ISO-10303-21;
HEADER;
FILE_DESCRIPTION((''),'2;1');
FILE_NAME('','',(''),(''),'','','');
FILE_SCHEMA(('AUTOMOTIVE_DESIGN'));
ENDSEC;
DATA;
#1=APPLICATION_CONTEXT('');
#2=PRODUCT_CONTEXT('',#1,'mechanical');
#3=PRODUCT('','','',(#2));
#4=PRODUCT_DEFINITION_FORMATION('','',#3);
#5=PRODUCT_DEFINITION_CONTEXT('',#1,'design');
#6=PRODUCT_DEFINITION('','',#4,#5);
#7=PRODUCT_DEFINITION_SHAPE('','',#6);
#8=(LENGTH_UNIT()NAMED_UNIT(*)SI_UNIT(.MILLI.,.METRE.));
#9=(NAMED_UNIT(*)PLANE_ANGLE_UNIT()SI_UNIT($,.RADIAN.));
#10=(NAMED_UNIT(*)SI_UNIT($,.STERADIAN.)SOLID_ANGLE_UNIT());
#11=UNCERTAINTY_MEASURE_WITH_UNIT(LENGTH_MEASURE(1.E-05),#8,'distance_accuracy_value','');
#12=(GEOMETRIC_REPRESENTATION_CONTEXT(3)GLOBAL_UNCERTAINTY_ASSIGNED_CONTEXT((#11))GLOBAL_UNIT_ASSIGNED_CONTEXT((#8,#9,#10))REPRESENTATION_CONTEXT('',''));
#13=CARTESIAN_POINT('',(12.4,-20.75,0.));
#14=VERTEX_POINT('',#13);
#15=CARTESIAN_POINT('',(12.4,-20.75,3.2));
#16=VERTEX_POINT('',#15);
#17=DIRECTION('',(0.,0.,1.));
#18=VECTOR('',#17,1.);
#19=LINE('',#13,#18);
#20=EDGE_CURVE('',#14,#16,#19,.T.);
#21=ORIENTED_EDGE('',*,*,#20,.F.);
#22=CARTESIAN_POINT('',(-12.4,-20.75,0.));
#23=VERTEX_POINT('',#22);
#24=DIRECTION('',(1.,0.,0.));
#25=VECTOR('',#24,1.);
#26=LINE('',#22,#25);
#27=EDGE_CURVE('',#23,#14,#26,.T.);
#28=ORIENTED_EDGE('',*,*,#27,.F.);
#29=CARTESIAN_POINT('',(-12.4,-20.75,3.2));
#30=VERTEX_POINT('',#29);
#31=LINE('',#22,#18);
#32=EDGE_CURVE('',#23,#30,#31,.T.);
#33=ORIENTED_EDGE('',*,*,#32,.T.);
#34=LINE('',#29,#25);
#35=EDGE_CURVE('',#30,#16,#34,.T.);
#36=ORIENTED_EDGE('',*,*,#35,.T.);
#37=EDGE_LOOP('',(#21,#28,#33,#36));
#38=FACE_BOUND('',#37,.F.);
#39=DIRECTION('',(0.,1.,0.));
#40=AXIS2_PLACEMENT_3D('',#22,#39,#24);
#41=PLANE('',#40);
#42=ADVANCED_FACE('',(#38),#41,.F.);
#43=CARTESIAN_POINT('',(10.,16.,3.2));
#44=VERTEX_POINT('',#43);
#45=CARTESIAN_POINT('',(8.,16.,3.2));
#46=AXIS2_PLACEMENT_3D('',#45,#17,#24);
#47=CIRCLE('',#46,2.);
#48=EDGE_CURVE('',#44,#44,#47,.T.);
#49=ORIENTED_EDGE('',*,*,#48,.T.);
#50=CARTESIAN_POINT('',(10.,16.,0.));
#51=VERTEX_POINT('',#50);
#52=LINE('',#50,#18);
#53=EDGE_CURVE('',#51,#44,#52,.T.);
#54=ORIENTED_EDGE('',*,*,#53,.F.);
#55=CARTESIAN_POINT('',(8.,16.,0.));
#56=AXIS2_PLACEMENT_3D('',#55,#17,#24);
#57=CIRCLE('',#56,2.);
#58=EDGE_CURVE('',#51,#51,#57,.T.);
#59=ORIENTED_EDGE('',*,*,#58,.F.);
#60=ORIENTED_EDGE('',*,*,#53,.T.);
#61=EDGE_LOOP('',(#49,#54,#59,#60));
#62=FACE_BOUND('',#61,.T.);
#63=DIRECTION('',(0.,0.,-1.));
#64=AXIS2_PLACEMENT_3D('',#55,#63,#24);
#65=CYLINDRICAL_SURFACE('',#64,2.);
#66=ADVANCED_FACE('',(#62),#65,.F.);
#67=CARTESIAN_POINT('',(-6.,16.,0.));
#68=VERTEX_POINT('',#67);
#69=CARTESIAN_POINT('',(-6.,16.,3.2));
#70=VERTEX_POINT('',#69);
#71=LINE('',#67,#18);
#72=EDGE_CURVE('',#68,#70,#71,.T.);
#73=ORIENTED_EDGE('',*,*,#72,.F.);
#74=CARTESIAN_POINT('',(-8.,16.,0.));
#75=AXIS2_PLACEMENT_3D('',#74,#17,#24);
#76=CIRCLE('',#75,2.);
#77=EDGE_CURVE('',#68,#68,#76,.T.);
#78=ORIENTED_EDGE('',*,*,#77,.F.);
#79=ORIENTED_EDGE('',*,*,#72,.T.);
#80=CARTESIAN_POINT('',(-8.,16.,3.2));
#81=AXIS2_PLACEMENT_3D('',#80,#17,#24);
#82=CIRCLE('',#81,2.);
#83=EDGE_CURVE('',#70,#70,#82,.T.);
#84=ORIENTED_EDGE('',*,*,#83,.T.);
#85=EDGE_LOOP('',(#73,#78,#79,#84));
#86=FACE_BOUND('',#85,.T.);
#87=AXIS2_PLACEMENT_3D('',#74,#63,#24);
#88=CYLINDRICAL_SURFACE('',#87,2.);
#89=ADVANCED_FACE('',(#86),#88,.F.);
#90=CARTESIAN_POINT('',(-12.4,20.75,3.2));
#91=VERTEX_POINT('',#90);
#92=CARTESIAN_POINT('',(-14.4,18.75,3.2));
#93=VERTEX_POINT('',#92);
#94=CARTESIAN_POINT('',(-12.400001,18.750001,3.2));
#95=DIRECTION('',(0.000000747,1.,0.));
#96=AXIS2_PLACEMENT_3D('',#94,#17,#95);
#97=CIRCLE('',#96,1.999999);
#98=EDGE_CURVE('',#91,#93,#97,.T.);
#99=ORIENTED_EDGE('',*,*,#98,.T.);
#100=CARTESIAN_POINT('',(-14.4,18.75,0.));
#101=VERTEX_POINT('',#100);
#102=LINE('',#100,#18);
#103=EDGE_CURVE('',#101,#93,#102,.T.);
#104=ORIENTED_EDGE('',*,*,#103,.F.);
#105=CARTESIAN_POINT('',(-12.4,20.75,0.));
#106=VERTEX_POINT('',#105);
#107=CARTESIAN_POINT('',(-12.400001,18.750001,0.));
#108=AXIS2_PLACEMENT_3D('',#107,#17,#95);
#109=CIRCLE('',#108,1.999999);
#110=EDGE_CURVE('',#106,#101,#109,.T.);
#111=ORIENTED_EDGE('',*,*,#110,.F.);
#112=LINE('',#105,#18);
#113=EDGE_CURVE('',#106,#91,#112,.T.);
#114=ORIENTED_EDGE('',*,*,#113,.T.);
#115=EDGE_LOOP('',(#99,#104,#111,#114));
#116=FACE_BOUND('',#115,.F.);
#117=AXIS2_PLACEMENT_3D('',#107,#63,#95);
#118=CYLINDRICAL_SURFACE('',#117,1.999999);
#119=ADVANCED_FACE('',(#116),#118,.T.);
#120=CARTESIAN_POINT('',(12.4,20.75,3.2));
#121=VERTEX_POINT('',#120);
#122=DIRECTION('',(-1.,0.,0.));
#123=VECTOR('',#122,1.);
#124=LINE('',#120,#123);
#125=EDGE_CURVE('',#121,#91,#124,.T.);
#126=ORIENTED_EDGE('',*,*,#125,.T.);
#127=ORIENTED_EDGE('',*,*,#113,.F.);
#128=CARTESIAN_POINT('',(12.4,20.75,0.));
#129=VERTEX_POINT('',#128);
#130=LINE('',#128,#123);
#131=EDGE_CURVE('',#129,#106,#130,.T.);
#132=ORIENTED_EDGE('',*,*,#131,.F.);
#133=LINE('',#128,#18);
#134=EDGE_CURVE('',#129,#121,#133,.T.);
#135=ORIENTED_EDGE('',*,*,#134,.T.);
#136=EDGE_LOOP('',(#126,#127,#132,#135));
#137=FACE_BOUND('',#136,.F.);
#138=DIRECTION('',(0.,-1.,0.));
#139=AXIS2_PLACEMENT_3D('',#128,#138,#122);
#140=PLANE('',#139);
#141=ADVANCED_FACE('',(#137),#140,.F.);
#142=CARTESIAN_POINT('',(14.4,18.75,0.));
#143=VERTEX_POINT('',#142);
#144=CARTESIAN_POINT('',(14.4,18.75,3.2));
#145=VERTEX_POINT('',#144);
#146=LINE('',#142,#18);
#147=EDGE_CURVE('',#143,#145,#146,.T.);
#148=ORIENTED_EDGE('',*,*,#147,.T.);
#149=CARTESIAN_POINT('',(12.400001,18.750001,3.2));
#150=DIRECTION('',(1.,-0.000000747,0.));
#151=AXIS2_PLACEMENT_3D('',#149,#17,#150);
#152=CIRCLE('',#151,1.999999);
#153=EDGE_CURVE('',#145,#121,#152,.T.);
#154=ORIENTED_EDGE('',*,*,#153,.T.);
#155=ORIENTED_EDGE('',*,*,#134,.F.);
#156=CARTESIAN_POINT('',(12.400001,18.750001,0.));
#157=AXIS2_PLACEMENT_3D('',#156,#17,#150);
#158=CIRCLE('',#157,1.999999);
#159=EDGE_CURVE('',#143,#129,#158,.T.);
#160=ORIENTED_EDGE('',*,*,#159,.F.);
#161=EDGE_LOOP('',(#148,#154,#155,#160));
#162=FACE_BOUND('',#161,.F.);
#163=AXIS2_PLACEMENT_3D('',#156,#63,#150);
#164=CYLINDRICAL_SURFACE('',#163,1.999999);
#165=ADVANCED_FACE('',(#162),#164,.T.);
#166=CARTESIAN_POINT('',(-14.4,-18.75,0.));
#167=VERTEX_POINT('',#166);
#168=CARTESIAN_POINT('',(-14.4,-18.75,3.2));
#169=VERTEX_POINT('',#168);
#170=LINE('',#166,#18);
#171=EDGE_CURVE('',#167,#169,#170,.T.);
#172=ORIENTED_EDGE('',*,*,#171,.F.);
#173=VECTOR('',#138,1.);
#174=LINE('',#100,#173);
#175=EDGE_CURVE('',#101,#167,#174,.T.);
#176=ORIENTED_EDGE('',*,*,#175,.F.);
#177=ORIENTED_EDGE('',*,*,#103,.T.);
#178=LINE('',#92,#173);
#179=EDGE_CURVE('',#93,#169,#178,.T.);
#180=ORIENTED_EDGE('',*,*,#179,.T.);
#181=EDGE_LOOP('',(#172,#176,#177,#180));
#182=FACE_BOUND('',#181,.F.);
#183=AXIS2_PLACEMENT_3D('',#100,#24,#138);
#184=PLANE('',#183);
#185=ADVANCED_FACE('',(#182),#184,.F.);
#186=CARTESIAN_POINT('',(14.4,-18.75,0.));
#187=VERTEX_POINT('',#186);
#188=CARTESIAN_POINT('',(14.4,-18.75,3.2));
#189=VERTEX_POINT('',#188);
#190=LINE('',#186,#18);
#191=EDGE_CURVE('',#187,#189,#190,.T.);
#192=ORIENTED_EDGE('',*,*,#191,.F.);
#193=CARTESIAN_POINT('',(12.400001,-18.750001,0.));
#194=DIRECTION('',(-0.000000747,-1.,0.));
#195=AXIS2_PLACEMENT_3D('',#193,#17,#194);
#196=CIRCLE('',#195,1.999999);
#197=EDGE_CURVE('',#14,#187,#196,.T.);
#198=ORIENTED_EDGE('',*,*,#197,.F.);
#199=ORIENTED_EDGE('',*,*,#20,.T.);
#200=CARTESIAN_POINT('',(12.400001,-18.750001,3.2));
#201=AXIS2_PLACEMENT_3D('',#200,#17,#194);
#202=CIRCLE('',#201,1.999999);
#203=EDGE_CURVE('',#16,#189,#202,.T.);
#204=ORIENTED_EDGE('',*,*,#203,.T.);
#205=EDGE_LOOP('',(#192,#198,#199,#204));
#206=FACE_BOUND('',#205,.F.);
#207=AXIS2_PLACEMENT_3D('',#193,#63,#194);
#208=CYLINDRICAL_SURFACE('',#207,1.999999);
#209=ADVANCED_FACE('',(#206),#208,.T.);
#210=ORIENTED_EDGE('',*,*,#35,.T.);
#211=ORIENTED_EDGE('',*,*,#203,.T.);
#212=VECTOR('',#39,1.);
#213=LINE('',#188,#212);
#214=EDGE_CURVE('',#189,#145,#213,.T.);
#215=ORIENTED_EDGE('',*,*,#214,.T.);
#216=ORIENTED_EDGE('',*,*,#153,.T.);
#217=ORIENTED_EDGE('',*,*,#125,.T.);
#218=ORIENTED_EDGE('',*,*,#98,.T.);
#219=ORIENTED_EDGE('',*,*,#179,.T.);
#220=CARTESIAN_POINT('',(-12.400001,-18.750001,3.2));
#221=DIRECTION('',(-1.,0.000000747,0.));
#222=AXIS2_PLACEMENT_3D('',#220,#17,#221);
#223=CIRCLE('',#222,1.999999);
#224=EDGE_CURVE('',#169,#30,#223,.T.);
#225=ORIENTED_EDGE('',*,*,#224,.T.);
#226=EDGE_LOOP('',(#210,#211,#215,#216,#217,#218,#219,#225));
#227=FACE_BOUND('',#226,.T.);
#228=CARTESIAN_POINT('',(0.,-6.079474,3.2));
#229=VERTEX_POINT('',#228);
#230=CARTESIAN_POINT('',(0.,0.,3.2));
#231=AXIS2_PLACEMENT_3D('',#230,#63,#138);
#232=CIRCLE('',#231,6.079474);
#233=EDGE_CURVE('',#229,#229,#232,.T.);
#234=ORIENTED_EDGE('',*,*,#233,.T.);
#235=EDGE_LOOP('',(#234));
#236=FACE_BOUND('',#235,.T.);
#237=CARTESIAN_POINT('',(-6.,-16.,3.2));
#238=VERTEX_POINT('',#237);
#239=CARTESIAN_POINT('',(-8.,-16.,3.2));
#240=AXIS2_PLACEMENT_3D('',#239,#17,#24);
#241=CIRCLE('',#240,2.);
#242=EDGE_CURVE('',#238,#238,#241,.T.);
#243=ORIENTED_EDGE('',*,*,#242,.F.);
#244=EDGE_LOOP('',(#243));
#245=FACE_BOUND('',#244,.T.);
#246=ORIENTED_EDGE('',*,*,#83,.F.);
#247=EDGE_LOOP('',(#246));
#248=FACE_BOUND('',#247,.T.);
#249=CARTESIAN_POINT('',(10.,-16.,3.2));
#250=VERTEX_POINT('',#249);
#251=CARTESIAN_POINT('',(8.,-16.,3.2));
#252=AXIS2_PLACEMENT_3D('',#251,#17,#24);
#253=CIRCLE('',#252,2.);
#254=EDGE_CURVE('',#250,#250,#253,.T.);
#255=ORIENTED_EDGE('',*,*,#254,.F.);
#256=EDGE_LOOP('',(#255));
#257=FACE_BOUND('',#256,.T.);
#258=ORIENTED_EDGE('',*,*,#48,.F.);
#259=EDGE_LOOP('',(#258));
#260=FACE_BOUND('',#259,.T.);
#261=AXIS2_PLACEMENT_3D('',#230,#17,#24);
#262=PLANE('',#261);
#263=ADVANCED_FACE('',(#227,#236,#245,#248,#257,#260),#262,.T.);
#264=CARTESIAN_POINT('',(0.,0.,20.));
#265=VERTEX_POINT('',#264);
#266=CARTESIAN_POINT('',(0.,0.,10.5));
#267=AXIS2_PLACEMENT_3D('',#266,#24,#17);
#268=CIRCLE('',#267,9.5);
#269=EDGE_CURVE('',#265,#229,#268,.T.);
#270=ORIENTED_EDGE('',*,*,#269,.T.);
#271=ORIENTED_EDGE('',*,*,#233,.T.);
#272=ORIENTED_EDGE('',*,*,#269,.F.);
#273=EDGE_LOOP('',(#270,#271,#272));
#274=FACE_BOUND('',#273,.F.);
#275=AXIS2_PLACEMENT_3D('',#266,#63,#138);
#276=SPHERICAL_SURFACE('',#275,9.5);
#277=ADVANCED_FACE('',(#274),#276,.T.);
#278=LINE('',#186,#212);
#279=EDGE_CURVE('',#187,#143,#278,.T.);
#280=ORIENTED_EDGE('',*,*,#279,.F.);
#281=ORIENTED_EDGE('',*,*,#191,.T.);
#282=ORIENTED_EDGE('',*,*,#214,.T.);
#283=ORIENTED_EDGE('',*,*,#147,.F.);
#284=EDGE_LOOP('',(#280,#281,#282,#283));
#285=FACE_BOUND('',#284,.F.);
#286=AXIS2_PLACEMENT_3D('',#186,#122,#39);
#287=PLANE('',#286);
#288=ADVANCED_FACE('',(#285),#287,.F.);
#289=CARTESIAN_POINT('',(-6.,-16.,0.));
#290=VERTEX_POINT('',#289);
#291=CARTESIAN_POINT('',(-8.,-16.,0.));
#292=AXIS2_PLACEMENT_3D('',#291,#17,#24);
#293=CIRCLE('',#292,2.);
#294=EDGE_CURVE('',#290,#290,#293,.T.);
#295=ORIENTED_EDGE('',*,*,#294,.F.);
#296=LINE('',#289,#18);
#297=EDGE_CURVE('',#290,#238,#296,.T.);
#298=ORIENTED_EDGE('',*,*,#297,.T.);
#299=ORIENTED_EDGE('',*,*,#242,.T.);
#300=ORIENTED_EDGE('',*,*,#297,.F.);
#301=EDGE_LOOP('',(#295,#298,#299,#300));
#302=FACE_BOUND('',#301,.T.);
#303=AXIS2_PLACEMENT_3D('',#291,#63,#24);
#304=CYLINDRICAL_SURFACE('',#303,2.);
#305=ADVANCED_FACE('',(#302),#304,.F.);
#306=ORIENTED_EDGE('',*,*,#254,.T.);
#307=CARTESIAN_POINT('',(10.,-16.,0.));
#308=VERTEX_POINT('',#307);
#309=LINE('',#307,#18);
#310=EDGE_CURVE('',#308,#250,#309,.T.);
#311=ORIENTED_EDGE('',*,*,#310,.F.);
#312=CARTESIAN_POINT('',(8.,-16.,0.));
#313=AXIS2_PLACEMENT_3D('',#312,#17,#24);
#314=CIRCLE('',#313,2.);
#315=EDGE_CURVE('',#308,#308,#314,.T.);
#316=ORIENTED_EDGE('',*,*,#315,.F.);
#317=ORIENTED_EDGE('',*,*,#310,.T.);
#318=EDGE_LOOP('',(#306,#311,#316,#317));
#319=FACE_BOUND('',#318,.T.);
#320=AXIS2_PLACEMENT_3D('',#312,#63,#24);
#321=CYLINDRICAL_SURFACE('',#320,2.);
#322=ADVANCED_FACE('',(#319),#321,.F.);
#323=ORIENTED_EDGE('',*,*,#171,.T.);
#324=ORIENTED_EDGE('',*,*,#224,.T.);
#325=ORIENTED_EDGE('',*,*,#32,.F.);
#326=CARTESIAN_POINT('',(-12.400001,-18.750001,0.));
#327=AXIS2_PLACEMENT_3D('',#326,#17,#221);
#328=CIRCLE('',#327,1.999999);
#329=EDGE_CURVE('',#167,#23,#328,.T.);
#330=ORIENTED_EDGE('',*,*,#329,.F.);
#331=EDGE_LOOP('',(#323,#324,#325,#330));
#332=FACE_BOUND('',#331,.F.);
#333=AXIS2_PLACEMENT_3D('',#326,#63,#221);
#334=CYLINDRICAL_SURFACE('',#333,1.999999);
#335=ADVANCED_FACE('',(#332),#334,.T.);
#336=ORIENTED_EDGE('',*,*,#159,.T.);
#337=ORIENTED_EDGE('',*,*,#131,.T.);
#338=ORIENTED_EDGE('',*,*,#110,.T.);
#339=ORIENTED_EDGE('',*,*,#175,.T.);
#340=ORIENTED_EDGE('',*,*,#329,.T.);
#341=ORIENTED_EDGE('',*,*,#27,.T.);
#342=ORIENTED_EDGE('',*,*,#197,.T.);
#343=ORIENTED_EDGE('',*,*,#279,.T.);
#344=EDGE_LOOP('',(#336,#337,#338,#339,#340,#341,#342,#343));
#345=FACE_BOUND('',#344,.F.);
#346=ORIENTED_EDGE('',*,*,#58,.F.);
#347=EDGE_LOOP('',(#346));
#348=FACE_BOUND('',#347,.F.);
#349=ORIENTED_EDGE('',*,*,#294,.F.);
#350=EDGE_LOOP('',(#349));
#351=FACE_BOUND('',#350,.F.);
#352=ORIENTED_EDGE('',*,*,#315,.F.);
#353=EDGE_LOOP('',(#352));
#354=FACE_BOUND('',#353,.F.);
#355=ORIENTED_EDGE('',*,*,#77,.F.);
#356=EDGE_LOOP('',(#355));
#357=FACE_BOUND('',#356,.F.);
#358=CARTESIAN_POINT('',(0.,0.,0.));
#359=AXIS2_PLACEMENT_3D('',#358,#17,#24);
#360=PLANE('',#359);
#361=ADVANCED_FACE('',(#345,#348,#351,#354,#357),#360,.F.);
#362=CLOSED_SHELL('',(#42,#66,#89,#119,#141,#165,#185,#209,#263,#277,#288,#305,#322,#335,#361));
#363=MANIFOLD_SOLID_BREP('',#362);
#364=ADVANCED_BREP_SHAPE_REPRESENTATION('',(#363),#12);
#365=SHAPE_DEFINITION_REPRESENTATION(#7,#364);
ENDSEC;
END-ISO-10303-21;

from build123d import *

# Parameters (mm, degrees)
F0_R     = 2
F1_DEPTH = 3.2


with BuildPart() as f1:
    # F0 (on Top) → F1 (new body)
    with BuildSketch(Plane.XY):
        with BuildLine():
            ThreePointArc((14.4, 18.75), (13.814214, 20.164214), (12.4, 20.75))
            Line((12.4, 20.75), (-12.4, 20.75))
            ThreePointArc((-12.4, 20.75), (-13.814214, 20.164214), (-14.4, 18.75))
            Line((-14.4, 18.75), (-14.4, -18.75))
            ThreePointArc((-14.4, -18.75), (-13.814214, -20.164214), (-12.4, -20.75))
            Line((-12.4, -20.75), (12.4, -20.75))
            ThreePointArc((12.4, -20.75), (13.814214, -20.164214), (14.4, -18.75))
            Line((14.4, -18.75), (14.4, 18.75))
        make_face()
        with Locations((-8, -16)):
            Circle(F0_R, mode=Mode.SUBTRACT)
        with Locations((8, -16)):
            Circle(F0_R, mode=Mode.SUBTRACT)
        with Locations((-8, 16)):
            Circle(F0_R, mode=Mode.SUBTRACT)
        with Locations((8, 16)):
            Circle(F0_R, mode=Mode.SUBTRACT)
    extrude(amount=F1_DEPTH)

    # F2 (on Right) → F3 (revolve)
    with BuildSketch(Plane.YZ):
        with BuildLine():
            Line((0, 1), (0, 20))
            ThreePointArc((0, 20), (-9.5, 10.5), (0, 1))
        make_face()
    revolve(axis=Axis((0, 0, 34.123861), (0, 0, 1)))


solid = f1.part
